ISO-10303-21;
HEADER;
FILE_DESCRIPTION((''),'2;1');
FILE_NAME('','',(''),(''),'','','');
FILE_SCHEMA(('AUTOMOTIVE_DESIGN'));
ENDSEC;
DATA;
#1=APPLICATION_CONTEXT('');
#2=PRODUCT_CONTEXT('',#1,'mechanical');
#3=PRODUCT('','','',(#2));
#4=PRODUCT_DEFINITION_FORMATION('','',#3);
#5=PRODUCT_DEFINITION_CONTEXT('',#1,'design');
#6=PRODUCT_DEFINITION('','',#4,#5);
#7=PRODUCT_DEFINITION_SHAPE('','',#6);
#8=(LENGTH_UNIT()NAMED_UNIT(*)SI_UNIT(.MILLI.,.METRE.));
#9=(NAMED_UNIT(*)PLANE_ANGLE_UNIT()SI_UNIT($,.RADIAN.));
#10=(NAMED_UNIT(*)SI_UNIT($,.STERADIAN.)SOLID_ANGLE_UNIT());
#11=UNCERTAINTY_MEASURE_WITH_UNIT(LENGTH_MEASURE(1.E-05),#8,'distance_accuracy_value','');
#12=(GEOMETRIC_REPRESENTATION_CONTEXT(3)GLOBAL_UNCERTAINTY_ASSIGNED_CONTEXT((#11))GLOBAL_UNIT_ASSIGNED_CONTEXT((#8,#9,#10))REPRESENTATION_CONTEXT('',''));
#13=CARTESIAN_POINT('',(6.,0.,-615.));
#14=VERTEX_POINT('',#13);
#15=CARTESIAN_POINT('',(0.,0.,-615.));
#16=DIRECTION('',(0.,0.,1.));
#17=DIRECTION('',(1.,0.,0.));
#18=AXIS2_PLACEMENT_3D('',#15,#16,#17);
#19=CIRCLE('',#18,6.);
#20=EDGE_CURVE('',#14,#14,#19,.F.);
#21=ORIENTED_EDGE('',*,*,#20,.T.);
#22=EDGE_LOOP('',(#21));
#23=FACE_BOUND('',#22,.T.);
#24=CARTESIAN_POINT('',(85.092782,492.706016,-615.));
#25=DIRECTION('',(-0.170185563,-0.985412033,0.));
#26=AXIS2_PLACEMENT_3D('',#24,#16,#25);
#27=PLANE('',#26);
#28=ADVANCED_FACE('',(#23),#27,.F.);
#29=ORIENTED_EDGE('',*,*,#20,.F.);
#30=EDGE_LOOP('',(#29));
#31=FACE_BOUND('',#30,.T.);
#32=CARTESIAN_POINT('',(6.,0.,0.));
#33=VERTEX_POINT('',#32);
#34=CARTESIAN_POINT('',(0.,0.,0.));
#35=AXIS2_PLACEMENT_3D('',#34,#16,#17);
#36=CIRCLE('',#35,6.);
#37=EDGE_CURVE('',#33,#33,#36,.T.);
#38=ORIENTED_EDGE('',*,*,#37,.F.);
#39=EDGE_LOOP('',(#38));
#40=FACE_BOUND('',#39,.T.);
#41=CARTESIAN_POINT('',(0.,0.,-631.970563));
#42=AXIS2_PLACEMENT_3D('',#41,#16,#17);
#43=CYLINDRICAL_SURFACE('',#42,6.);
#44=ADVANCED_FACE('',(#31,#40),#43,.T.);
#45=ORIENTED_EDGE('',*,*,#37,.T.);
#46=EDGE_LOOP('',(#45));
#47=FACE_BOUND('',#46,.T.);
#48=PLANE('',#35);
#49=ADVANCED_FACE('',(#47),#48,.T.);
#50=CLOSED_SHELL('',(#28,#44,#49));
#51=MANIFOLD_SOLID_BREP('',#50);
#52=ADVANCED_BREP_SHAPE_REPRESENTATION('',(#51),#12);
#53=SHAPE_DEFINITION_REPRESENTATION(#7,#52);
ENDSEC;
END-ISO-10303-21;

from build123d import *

# Parameters (mm, degrees)
SKETCH1_R           = 6
BOSS_EXTRUDE1_DEPTH = 615


with BuildPart() as part:
    # Sketch1 → Boss-Extrude1 (new body)
    with BuildSketch(Plane.XY):
        Circle(SKETCH1_R)
    extrude(amount=-BOSS_EXTRUDE1_DEPTH)


solid = part.part
